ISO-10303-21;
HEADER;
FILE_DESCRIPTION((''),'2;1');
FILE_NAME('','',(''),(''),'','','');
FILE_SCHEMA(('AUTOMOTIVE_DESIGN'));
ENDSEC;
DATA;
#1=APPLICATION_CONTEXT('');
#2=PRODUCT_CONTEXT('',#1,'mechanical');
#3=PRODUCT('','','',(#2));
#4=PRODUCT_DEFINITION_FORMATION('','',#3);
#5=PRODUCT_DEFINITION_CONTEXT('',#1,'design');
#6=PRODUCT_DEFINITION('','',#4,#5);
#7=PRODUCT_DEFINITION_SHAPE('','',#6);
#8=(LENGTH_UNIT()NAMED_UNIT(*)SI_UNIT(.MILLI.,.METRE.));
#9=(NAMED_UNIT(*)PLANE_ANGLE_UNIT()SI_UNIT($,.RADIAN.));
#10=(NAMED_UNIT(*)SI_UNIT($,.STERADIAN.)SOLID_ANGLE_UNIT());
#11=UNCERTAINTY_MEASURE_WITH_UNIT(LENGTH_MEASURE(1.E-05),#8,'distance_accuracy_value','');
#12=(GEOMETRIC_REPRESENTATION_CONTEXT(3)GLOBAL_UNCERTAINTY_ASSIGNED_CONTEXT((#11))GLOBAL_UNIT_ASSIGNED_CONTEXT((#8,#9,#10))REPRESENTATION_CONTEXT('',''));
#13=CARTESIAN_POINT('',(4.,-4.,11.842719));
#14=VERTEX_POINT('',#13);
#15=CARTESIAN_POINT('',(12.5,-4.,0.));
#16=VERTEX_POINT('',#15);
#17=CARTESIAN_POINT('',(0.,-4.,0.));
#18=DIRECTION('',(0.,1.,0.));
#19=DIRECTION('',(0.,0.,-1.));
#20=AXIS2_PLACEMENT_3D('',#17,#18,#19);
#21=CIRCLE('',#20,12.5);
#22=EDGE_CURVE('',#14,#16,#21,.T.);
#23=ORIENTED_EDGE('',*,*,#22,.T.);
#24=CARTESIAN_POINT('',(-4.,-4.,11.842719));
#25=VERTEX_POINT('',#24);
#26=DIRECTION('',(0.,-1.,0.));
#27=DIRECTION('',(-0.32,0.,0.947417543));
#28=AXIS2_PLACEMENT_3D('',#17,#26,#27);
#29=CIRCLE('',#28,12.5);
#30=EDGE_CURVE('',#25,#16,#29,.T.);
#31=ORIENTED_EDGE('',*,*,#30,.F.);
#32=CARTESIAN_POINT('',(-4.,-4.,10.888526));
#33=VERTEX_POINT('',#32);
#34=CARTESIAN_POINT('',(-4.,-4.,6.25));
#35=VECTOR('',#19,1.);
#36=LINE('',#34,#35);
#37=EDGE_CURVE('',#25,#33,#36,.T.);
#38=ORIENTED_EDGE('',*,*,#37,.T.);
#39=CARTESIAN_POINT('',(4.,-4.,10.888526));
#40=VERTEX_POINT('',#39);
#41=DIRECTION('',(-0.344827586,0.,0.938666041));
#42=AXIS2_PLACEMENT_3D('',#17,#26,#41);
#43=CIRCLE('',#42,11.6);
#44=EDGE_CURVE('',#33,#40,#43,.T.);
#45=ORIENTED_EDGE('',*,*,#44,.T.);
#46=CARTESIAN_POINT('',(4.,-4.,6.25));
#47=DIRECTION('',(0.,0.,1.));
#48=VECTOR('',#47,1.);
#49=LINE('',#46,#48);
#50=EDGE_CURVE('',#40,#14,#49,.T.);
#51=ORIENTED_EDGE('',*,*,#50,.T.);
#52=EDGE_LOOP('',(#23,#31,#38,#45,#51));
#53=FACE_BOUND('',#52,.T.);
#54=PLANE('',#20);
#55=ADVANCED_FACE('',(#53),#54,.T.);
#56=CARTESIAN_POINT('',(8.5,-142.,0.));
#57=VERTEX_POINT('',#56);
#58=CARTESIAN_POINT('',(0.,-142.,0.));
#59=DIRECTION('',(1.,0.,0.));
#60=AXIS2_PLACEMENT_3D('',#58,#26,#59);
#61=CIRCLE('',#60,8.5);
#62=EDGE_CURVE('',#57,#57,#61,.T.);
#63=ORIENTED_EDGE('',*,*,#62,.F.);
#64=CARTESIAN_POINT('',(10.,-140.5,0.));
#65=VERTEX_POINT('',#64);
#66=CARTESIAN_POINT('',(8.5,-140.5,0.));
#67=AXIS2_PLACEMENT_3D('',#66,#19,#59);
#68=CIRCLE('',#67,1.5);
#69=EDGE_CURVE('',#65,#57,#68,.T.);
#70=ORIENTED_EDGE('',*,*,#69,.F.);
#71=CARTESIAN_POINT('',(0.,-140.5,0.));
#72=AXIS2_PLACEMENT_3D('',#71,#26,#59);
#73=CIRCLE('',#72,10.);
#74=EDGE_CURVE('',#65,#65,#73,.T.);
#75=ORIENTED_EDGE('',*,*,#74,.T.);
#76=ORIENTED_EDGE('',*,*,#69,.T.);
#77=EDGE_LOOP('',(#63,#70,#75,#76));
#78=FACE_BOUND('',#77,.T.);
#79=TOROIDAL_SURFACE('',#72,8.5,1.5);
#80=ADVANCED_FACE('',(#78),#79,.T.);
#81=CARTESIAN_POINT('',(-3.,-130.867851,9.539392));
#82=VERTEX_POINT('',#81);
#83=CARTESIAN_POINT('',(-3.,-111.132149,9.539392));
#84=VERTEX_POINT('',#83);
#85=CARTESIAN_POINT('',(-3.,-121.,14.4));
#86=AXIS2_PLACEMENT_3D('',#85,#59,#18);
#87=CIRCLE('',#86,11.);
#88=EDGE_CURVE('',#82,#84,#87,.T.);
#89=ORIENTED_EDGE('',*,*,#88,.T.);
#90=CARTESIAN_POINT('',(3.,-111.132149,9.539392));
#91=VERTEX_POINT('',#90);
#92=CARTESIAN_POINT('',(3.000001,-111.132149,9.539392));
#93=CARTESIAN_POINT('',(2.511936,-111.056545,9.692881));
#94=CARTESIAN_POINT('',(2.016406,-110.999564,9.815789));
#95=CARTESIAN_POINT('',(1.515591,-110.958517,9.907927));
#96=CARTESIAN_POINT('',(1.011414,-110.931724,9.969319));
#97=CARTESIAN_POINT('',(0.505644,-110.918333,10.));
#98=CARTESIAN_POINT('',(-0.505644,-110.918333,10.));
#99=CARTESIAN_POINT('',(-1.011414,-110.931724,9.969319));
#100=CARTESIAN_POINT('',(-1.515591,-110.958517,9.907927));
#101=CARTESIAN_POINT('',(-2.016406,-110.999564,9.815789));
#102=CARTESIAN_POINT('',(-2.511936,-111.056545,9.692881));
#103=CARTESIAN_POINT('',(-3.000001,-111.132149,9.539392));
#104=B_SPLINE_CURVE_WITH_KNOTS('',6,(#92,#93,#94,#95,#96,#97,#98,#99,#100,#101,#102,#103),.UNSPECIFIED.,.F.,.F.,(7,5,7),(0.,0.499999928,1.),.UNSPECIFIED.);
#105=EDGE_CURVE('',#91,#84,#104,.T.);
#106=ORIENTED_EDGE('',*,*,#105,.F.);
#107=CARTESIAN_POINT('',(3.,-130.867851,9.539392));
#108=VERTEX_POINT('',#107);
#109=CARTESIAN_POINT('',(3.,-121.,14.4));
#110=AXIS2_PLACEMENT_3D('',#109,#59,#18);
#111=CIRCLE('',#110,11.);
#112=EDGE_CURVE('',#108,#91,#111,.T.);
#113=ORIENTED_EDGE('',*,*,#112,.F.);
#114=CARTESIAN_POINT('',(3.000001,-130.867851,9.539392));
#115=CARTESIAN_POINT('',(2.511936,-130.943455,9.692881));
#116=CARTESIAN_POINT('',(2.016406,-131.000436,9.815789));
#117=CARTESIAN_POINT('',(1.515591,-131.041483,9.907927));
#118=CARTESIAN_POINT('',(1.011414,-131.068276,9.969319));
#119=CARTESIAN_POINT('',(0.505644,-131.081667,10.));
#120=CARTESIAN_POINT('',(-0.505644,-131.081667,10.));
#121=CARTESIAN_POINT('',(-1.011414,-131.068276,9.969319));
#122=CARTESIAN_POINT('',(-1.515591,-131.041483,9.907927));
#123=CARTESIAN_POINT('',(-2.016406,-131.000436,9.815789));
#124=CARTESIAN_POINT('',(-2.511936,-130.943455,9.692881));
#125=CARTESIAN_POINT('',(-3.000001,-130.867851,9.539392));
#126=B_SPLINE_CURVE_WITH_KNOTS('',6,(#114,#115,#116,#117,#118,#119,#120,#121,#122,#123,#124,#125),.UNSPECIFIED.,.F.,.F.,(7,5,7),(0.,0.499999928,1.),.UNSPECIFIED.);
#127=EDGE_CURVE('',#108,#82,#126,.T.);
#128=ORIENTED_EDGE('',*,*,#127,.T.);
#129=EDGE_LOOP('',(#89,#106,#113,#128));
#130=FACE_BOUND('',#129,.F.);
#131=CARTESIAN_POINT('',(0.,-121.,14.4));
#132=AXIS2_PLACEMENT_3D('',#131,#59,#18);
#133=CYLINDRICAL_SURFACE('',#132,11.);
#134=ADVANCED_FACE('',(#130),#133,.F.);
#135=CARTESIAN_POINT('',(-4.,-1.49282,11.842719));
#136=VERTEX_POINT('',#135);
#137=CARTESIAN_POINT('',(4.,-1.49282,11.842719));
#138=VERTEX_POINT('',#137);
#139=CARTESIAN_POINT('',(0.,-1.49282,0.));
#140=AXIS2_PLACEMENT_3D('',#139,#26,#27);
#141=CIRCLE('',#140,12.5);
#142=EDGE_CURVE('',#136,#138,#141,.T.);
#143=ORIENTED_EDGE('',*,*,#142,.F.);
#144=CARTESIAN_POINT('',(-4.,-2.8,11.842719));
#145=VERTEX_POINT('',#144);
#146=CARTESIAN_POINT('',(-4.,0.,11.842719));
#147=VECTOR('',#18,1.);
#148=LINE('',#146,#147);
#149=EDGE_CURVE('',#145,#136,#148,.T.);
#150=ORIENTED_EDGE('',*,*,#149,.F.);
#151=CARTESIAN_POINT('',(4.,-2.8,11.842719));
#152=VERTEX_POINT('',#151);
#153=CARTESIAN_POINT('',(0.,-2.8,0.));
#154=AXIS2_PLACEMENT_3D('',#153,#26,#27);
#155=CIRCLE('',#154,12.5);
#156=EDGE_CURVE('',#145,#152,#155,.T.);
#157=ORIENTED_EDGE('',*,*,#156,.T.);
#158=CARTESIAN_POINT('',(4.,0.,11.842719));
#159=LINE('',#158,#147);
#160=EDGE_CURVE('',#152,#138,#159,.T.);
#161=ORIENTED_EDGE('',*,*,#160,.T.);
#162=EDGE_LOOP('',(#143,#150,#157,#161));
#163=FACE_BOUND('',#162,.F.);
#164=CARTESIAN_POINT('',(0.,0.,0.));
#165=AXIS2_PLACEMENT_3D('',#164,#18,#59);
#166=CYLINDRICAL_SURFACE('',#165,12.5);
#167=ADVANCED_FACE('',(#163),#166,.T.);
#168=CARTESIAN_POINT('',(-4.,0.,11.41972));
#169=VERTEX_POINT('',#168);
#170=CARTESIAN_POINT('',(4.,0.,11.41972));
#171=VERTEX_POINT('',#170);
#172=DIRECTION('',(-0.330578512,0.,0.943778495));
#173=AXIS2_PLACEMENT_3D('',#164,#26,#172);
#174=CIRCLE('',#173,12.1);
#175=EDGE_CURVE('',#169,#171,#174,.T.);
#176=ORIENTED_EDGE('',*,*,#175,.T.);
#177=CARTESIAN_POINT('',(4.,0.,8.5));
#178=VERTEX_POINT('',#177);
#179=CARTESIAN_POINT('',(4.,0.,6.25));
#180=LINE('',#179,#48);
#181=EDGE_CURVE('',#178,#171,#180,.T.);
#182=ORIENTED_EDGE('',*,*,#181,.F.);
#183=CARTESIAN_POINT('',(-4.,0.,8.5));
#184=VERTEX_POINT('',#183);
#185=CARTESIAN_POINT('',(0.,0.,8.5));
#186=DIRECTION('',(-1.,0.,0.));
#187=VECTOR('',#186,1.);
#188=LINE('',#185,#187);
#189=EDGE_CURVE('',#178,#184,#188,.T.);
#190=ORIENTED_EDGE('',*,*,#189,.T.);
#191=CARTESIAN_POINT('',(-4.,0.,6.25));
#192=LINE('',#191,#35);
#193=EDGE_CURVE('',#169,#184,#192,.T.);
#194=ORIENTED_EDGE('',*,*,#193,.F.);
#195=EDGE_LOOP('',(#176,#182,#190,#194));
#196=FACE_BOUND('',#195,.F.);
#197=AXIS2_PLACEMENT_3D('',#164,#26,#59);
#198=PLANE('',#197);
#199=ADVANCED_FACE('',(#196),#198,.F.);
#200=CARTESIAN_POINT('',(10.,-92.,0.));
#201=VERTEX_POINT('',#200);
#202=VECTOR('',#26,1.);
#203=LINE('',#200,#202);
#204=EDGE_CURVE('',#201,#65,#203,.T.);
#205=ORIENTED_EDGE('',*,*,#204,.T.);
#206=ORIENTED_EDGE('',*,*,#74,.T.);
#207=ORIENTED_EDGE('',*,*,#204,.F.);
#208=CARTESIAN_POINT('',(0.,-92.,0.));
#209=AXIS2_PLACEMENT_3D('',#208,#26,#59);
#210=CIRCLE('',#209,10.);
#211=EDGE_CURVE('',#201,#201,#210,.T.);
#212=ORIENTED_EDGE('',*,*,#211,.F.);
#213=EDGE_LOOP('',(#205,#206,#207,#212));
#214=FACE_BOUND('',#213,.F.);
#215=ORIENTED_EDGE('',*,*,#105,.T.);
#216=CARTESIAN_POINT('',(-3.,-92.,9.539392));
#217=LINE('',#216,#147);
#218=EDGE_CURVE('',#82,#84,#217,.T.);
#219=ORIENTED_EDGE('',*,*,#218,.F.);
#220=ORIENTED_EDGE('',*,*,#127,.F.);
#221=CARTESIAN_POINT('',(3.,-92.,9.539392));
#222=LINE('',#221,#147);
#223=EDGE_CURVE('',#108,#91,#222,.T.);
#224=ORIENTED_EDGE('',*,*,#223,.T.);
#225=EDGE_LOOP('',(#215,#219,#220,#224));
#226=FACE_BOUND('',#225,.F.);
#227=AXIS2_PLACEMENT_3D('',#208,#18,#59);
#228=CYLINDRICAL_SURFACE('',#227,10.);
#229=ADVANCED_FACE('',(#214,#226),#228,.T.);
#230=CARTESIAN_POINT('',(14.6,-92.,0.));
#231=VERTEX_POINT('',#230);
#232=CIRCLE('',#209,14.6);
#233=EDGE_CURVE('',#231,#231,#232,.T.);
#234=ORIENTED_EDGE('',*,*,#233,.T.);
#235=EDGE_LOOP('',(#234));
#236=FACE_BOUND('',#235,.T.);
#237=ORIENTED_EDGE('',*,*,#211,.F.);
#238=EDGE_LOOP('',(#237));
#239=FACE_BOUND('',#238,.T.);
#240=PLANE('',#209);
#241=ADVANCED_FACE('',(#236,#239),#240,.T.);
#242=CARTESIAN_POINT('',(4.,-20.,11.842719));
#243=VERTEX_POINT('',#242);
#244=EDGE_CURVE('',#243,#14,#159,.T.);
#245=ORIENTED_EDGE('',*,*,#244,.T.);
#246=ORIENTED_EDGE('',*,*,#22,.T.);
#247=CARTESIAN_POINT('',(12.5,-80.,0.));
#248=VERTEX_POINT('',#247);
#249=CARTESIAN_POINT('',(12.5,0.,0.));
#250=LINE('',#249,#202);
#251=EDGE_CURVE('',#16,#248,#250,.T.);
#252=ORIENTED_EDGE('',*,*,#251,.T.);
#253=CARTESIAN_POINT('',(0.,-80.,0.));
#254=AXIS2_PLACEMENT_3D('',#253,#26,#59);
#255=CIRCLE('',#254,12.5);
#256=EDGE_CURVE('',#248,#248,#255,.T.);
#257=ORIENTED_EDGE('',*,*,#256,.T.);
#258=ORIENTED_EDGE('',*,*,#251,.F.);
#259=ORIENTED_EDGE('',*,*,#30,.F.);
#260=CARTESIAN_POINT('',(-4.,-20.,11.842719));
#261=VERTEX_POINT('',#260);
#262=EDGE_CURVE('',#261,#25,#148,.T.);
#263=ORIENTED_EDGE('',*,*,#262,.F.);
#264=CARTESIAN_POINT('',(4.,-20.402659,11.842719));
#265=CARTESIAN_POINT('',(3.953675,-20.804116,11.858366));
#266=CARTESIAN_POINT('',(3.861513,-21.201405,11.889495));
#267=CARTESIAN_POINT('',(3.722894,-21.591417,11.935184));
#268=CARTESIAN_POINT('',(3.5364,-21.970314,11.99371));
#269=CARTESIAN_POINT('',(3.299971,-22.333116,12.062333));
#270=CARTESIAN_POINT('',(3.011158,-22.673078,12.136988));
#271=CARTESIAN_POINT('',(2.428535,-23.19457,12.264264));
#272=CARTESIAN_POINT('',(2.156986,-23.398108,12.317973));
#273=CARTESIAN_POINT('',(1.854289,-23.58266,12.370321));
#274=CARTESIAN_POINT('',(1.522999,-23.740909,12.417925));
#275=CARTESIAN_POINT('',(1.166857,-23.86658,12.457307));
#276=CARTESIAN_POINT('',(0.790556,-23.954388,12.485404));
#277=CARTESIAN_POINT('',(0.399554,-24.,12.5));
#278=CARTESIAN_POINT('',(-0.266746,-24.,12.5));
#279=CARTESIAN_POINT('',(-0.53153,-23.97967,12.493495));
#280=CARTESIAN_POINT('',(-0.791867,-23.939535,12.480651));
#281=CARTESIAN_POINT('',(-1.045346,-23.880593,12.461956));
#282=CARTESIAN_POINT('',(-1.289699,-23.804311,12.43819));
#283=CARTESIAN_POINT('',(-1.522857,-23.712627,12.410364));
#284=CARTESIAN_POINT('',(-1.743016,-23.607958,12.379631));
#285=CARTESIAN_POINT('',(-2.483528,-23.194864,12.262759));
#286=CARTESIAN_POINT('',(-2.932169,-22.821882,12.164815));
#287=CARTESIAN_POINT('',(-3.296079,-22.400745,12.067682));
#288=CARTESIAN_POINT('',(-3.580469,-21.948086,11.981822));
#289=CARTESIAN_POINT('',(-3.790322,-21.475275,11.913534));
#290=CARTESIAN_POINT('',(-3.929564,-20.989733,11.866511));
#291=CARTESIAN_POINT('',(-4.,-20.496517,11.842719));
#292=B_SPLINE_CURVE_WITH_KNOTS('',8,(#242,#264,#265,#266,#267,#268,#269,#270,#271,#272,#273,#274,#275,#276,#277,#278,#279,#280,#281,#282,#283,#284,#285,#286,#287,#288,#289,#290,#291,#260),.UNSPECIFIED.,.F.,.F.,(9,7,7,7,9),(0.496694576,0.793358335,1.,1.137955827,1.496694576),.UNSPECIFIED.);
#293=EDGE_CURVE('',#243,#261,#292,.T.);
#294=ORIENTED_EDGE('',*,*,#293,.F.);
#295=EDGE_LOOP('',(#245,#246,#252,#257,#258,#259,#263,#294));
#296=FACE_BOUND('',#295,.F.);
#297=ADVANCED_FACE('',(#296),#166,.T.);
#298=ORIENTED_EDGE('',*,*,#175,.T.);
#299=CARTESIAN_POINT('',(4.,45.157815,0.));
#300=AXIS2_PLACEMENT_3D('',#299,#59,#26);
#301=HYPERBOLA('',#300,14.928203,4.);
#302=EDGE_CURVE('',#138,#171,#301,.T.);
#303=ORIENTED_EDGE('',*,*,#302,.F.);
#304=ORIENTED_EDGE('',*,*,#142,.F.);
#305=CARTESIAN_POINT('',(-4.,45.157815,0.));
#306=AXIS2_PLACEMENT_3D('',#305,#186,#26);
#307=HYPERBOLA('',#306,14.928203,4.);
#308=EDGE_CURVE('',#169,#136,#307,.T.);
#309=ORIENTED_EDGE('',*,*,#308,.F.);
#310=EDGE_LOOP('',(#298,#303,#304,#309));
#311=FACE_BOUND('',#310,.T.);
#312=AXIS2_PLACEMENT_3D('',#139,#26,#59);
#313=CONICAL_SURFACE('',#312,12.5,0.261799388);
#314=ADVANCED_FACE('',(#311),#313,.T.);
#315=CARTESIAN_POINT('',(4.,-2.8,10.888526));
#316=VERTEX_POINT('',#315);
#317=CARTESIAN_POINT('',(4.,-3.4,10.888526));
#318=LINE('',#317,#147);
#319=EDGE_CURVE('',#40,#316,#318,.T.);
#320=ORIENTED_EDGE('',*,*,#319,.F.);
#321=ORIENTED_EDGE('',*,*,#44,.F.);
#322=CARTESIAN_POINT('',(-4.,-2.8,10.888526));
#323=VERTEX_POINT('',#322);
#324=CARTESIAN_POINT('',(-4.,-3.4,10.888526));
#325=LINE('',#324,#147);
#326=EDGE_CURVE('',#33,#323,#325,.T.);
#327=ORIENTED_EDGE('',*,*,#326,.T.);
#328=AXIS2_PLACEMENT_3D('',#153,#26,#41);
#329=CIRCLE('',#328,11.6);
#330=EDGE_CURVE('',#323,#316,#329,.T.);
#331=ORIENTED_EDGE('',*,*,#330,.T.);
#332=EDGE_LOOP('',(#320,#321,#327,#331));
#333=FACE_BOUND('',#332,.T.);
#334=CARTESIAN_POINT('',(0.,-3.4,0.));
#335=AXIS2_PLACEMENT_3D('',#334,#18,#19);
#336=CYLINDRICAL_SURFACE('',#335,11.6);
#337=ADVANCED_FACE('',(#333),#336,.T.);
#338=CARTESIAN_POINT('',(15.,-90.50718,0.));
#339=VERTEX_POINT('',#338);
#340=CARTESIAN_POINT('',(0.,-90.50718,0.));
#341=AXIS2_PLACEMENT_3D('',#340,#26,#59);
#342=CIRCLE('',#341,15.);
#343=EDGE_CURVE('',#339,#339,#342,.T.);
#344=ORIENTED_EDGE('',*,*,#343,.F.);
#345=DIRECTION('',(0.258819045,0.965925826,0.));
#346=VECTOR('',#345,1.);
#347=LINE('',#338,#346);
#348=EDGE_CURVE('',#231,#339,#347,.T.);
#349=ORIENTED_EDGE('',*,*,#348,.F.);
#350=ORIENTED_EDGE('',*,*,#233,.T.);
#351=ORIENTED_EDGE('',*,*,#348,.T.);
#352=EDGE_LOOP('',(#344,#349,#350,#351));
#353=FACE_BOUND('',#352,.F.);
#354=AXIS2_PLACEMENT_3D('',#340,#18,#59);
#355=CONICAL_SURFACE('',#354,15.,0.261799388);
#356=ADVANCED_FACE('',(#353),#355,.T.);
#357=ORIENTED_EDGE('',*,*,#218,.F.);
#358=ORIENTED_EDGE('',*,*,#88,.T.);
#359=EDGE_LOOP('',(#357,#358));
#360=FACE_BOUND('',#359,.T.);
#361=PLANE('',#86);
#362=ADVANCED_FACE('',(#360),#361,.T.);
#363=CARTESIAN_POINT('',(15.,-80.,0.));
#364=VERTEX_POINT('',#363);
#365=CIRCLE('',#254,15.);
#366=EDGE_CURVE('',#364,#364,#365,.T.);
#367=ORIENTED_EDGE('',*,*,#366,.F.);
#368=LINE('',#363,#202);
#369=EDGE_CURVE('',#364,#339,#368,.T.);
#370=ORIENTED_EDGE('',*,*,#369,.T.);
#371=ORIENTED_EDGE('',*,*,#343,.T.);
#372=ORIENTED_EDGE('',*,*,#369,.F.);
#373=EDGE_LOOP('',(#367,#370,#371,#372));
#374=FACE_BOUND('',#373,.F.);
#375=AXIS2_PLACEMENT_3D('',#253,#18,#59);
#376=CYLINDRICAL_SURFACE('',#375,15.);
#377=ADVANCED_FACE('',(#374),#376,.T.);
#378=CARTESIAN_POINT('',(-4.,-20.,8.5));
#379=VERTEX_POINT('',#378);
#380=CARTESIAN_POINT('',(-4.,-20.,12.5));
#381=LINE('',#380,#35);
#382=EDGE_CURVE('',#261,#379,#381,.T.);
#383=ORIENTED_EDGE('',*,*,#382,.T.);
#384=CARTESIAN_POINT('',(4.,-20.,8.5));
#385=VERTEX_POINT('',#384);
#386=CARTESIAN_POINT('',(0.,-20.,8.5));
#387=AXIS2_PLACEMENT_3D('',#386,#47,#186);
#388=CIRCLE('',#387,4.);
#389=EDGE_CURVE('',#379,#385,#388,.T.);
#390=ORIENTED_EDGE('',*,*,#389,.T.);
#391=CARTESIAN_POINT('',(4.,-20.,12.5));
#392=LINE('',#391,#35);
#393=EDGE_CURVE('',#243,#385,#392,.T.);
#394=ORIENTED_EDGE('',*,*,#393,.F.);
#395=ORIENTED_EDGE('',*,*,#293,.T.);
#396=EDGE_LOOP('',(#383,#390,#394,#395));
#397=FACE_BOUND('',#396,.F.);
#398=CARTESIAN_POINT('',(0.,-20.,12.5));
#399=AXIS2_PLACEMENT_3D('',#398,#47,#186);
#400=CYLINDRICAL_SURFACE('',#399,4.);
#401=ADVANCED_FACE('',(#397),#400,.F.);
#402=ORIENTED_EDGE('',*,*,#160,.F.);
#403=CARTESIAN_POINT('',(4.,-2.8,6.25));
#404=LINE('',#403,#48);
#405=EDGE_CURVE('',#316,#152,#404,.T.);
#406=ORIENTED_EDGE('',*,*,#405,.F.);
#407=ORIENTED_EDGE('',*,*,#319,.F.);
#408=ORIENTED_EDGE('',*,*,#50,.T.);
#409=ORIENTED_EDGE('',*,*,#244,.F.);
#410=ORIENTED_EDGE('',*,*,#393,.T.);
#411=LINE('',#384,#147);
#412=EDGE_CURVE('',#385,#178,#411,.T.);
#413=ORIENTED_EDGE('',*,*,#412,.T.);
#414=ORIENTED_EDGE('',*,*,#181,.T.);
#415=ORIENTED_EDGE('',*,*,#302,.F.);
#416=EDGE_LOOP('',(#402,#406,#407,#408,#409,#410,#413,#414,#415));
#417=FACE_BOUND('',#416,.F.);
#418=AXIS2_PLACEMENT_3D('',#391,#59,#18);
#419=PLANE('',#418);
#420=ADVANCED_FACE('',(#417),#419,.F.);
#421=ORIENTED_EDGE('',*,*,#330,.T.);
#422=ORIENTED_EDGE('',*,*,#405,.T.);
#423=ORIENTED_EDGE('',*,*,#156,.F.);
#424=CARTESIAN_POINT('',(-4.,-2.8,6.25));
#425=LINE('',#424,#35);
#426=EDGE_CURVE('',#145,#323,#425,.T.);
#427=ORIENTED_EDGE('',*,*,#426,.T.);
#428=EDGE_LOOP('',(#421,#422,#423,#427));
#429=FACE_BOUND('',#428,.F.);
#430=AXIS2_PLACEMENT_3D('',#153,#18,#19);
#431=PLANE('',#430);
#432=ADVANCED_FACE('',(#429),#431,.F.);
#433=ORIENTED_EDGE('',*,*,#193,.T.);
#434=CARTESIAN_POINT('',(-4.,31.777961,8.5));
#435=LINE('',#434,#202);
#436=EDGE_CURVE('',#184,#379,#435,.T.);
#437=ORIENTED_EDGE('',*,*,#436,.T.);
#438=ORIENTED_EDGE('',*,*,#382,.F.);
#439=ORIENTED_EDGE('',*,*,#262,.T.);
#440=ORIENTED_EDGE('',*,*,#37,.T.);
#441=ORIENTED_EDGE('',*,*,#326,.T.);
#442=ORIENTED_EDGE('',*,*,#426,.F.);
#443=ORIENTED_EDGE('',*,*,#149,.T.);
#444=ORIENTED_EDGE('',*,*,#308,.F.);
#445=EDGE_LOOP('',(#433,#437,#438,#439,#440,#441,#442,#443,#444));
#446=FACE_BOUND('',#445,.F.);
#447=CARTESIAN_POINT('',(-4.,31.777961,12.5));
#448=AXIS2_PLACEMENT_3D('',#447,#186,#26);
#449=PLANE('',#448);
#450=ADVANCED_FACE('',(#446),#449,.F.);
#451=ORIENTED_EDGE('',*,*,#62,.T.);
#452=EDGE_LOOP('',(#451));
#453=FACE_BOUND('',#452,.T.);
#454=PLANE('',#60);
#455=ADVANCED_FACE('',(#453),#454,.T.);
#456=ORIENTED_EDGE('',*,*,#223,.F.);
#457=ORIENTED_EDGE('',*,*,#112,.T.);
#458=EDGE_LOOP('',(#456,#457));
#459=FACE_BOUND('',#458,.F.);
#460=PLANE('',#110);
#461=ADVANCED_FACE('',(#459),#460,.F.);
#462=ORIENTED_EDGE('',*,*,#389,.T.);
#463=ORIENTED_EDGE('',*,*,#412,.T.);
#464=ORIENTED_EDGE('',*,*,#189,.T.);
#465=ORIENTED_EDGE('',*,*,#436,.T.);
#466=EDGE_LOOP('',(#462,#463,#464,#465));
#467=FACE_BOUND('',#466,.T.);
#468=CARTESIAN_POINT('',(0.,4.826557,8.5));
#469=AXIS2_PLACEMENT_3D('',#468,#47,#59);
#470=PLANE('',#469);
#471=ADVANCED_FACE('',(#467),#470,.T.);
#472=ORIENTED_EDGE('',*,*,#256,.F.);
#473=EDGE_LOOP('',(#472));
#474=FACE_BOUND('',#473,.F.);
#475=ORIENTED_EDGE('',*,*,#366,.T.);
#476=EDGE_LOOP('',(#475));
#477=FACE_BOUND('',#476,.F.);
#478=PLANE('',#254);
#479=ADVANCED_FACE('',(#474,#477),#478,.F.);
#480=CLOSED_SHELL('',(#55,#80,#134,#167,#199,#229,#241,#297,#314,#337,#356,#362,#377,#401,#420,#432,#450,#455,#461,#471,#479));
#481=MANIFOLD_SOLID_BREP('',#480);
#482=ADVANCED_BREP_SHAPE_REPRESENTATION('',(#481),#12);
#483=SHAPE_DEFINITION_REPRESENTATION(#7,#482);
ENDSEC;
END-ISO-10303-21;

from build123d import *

# Parameters (mm, degrees)
F0_R      = 12.5
F1_DEPTH  = 80
F2_R      = 15
F3_DEPTH  = 12
F4_R      = 10
F5_DEPTH  = 50
F6_SIZE2  = 1.492820323
F6_SIZE   = 0.4
F7_SIZE2  = 1.492820323
F7_SIZE   = 0.4
F8_R      = 1.5
F11_DEPTH = 4
F12_W     = 1.2
F12_H     = 0.9
F14_R     = 11
F15_DEPTH = 3


with BuildPart() as f1:
    # F0 (on Front) → F1 (new body)
    with BuildSketch(Plane.XZ):
        Circle(F0_R)
    extrude(amount=F1_DEPTH)

    # F2 (on face) → F3 (join)
    with BuildSketch(Plane.XZ.offset(80)):
        Circle(F2_R)
    extrude(amount=F3_DEPTH)

    # F4 (on face) → F5 (join)
    with BuildSketch(Plane.XZ.offset(92)):
        Circle(F4_R)
    extrude(amount=F5_DEPTH)

    # F6
    f6_edges = [f1.edges().sort_by_distance(p)[0] for p in [
        (-12.5, 0, 0),
    ]]
    f6_side = f1.faces().sort_by_distance((0, 0, 0))[0]
    chamfer(f6_edges, length=F6_SIZE, length2=F6_SIZE2, reference=f6_side)

    # F7
    f7_edges = [f1.edges().sort_by_distance(p)[0] for p in [
        (-15, -92, 0),
    ]]
    f7_side = f1.faces().sort_by_distance((-14.575736, -92, 0))[0]
    chamfer(f7_edges, length=F7_SIZE, length2=F7_SIZE2, reference=f7_side)

    # F8
    f8_edges = [f1.edges().sort_by_distance(p)[0] for p in [
        (-10, -142, 0),
    ]]
    fillet(f8_edges, radius=F8_R)

    # F10 (on offset) → F11 (cut)
    with BuildSketch(Plane.XY.offset(12.5)):
        with BuildLine():
            Line((-4, 31.7779608309), (-4, -20))
            ThreePointArc((-4, -20), (0, -24), (4, -20))
            Line((4, -20), (4, 31.7779608309))
            Line((4, 31.7779608309), (-4, 31.7779608309))
        make_face()
    extrude(amount=-F11_DEPTH, mode=Mode.SUBTRACT)

    # F12 (on Right) → F13 (revolve, cut)
    with BuildSketch(Plane.YZ):
        with Locations((-3.4, -12.05)):
            Rectangle(F12_W, F12_H)
    revolve(axis=Axis((0, 0, 0), (0, 1, 0)), mode=Mode.SUBTRACT)

    # F14 (on Right) → F15 (cut, symmetric)
    with BuildSketch(Plane.YZ):
        with Locations((-121, 14.4)):
            Circle(F14_R)
    extrude(amount=F15_DEPTH, both=True, mode=Mode.SUBTRACT)


solid = f1.part
